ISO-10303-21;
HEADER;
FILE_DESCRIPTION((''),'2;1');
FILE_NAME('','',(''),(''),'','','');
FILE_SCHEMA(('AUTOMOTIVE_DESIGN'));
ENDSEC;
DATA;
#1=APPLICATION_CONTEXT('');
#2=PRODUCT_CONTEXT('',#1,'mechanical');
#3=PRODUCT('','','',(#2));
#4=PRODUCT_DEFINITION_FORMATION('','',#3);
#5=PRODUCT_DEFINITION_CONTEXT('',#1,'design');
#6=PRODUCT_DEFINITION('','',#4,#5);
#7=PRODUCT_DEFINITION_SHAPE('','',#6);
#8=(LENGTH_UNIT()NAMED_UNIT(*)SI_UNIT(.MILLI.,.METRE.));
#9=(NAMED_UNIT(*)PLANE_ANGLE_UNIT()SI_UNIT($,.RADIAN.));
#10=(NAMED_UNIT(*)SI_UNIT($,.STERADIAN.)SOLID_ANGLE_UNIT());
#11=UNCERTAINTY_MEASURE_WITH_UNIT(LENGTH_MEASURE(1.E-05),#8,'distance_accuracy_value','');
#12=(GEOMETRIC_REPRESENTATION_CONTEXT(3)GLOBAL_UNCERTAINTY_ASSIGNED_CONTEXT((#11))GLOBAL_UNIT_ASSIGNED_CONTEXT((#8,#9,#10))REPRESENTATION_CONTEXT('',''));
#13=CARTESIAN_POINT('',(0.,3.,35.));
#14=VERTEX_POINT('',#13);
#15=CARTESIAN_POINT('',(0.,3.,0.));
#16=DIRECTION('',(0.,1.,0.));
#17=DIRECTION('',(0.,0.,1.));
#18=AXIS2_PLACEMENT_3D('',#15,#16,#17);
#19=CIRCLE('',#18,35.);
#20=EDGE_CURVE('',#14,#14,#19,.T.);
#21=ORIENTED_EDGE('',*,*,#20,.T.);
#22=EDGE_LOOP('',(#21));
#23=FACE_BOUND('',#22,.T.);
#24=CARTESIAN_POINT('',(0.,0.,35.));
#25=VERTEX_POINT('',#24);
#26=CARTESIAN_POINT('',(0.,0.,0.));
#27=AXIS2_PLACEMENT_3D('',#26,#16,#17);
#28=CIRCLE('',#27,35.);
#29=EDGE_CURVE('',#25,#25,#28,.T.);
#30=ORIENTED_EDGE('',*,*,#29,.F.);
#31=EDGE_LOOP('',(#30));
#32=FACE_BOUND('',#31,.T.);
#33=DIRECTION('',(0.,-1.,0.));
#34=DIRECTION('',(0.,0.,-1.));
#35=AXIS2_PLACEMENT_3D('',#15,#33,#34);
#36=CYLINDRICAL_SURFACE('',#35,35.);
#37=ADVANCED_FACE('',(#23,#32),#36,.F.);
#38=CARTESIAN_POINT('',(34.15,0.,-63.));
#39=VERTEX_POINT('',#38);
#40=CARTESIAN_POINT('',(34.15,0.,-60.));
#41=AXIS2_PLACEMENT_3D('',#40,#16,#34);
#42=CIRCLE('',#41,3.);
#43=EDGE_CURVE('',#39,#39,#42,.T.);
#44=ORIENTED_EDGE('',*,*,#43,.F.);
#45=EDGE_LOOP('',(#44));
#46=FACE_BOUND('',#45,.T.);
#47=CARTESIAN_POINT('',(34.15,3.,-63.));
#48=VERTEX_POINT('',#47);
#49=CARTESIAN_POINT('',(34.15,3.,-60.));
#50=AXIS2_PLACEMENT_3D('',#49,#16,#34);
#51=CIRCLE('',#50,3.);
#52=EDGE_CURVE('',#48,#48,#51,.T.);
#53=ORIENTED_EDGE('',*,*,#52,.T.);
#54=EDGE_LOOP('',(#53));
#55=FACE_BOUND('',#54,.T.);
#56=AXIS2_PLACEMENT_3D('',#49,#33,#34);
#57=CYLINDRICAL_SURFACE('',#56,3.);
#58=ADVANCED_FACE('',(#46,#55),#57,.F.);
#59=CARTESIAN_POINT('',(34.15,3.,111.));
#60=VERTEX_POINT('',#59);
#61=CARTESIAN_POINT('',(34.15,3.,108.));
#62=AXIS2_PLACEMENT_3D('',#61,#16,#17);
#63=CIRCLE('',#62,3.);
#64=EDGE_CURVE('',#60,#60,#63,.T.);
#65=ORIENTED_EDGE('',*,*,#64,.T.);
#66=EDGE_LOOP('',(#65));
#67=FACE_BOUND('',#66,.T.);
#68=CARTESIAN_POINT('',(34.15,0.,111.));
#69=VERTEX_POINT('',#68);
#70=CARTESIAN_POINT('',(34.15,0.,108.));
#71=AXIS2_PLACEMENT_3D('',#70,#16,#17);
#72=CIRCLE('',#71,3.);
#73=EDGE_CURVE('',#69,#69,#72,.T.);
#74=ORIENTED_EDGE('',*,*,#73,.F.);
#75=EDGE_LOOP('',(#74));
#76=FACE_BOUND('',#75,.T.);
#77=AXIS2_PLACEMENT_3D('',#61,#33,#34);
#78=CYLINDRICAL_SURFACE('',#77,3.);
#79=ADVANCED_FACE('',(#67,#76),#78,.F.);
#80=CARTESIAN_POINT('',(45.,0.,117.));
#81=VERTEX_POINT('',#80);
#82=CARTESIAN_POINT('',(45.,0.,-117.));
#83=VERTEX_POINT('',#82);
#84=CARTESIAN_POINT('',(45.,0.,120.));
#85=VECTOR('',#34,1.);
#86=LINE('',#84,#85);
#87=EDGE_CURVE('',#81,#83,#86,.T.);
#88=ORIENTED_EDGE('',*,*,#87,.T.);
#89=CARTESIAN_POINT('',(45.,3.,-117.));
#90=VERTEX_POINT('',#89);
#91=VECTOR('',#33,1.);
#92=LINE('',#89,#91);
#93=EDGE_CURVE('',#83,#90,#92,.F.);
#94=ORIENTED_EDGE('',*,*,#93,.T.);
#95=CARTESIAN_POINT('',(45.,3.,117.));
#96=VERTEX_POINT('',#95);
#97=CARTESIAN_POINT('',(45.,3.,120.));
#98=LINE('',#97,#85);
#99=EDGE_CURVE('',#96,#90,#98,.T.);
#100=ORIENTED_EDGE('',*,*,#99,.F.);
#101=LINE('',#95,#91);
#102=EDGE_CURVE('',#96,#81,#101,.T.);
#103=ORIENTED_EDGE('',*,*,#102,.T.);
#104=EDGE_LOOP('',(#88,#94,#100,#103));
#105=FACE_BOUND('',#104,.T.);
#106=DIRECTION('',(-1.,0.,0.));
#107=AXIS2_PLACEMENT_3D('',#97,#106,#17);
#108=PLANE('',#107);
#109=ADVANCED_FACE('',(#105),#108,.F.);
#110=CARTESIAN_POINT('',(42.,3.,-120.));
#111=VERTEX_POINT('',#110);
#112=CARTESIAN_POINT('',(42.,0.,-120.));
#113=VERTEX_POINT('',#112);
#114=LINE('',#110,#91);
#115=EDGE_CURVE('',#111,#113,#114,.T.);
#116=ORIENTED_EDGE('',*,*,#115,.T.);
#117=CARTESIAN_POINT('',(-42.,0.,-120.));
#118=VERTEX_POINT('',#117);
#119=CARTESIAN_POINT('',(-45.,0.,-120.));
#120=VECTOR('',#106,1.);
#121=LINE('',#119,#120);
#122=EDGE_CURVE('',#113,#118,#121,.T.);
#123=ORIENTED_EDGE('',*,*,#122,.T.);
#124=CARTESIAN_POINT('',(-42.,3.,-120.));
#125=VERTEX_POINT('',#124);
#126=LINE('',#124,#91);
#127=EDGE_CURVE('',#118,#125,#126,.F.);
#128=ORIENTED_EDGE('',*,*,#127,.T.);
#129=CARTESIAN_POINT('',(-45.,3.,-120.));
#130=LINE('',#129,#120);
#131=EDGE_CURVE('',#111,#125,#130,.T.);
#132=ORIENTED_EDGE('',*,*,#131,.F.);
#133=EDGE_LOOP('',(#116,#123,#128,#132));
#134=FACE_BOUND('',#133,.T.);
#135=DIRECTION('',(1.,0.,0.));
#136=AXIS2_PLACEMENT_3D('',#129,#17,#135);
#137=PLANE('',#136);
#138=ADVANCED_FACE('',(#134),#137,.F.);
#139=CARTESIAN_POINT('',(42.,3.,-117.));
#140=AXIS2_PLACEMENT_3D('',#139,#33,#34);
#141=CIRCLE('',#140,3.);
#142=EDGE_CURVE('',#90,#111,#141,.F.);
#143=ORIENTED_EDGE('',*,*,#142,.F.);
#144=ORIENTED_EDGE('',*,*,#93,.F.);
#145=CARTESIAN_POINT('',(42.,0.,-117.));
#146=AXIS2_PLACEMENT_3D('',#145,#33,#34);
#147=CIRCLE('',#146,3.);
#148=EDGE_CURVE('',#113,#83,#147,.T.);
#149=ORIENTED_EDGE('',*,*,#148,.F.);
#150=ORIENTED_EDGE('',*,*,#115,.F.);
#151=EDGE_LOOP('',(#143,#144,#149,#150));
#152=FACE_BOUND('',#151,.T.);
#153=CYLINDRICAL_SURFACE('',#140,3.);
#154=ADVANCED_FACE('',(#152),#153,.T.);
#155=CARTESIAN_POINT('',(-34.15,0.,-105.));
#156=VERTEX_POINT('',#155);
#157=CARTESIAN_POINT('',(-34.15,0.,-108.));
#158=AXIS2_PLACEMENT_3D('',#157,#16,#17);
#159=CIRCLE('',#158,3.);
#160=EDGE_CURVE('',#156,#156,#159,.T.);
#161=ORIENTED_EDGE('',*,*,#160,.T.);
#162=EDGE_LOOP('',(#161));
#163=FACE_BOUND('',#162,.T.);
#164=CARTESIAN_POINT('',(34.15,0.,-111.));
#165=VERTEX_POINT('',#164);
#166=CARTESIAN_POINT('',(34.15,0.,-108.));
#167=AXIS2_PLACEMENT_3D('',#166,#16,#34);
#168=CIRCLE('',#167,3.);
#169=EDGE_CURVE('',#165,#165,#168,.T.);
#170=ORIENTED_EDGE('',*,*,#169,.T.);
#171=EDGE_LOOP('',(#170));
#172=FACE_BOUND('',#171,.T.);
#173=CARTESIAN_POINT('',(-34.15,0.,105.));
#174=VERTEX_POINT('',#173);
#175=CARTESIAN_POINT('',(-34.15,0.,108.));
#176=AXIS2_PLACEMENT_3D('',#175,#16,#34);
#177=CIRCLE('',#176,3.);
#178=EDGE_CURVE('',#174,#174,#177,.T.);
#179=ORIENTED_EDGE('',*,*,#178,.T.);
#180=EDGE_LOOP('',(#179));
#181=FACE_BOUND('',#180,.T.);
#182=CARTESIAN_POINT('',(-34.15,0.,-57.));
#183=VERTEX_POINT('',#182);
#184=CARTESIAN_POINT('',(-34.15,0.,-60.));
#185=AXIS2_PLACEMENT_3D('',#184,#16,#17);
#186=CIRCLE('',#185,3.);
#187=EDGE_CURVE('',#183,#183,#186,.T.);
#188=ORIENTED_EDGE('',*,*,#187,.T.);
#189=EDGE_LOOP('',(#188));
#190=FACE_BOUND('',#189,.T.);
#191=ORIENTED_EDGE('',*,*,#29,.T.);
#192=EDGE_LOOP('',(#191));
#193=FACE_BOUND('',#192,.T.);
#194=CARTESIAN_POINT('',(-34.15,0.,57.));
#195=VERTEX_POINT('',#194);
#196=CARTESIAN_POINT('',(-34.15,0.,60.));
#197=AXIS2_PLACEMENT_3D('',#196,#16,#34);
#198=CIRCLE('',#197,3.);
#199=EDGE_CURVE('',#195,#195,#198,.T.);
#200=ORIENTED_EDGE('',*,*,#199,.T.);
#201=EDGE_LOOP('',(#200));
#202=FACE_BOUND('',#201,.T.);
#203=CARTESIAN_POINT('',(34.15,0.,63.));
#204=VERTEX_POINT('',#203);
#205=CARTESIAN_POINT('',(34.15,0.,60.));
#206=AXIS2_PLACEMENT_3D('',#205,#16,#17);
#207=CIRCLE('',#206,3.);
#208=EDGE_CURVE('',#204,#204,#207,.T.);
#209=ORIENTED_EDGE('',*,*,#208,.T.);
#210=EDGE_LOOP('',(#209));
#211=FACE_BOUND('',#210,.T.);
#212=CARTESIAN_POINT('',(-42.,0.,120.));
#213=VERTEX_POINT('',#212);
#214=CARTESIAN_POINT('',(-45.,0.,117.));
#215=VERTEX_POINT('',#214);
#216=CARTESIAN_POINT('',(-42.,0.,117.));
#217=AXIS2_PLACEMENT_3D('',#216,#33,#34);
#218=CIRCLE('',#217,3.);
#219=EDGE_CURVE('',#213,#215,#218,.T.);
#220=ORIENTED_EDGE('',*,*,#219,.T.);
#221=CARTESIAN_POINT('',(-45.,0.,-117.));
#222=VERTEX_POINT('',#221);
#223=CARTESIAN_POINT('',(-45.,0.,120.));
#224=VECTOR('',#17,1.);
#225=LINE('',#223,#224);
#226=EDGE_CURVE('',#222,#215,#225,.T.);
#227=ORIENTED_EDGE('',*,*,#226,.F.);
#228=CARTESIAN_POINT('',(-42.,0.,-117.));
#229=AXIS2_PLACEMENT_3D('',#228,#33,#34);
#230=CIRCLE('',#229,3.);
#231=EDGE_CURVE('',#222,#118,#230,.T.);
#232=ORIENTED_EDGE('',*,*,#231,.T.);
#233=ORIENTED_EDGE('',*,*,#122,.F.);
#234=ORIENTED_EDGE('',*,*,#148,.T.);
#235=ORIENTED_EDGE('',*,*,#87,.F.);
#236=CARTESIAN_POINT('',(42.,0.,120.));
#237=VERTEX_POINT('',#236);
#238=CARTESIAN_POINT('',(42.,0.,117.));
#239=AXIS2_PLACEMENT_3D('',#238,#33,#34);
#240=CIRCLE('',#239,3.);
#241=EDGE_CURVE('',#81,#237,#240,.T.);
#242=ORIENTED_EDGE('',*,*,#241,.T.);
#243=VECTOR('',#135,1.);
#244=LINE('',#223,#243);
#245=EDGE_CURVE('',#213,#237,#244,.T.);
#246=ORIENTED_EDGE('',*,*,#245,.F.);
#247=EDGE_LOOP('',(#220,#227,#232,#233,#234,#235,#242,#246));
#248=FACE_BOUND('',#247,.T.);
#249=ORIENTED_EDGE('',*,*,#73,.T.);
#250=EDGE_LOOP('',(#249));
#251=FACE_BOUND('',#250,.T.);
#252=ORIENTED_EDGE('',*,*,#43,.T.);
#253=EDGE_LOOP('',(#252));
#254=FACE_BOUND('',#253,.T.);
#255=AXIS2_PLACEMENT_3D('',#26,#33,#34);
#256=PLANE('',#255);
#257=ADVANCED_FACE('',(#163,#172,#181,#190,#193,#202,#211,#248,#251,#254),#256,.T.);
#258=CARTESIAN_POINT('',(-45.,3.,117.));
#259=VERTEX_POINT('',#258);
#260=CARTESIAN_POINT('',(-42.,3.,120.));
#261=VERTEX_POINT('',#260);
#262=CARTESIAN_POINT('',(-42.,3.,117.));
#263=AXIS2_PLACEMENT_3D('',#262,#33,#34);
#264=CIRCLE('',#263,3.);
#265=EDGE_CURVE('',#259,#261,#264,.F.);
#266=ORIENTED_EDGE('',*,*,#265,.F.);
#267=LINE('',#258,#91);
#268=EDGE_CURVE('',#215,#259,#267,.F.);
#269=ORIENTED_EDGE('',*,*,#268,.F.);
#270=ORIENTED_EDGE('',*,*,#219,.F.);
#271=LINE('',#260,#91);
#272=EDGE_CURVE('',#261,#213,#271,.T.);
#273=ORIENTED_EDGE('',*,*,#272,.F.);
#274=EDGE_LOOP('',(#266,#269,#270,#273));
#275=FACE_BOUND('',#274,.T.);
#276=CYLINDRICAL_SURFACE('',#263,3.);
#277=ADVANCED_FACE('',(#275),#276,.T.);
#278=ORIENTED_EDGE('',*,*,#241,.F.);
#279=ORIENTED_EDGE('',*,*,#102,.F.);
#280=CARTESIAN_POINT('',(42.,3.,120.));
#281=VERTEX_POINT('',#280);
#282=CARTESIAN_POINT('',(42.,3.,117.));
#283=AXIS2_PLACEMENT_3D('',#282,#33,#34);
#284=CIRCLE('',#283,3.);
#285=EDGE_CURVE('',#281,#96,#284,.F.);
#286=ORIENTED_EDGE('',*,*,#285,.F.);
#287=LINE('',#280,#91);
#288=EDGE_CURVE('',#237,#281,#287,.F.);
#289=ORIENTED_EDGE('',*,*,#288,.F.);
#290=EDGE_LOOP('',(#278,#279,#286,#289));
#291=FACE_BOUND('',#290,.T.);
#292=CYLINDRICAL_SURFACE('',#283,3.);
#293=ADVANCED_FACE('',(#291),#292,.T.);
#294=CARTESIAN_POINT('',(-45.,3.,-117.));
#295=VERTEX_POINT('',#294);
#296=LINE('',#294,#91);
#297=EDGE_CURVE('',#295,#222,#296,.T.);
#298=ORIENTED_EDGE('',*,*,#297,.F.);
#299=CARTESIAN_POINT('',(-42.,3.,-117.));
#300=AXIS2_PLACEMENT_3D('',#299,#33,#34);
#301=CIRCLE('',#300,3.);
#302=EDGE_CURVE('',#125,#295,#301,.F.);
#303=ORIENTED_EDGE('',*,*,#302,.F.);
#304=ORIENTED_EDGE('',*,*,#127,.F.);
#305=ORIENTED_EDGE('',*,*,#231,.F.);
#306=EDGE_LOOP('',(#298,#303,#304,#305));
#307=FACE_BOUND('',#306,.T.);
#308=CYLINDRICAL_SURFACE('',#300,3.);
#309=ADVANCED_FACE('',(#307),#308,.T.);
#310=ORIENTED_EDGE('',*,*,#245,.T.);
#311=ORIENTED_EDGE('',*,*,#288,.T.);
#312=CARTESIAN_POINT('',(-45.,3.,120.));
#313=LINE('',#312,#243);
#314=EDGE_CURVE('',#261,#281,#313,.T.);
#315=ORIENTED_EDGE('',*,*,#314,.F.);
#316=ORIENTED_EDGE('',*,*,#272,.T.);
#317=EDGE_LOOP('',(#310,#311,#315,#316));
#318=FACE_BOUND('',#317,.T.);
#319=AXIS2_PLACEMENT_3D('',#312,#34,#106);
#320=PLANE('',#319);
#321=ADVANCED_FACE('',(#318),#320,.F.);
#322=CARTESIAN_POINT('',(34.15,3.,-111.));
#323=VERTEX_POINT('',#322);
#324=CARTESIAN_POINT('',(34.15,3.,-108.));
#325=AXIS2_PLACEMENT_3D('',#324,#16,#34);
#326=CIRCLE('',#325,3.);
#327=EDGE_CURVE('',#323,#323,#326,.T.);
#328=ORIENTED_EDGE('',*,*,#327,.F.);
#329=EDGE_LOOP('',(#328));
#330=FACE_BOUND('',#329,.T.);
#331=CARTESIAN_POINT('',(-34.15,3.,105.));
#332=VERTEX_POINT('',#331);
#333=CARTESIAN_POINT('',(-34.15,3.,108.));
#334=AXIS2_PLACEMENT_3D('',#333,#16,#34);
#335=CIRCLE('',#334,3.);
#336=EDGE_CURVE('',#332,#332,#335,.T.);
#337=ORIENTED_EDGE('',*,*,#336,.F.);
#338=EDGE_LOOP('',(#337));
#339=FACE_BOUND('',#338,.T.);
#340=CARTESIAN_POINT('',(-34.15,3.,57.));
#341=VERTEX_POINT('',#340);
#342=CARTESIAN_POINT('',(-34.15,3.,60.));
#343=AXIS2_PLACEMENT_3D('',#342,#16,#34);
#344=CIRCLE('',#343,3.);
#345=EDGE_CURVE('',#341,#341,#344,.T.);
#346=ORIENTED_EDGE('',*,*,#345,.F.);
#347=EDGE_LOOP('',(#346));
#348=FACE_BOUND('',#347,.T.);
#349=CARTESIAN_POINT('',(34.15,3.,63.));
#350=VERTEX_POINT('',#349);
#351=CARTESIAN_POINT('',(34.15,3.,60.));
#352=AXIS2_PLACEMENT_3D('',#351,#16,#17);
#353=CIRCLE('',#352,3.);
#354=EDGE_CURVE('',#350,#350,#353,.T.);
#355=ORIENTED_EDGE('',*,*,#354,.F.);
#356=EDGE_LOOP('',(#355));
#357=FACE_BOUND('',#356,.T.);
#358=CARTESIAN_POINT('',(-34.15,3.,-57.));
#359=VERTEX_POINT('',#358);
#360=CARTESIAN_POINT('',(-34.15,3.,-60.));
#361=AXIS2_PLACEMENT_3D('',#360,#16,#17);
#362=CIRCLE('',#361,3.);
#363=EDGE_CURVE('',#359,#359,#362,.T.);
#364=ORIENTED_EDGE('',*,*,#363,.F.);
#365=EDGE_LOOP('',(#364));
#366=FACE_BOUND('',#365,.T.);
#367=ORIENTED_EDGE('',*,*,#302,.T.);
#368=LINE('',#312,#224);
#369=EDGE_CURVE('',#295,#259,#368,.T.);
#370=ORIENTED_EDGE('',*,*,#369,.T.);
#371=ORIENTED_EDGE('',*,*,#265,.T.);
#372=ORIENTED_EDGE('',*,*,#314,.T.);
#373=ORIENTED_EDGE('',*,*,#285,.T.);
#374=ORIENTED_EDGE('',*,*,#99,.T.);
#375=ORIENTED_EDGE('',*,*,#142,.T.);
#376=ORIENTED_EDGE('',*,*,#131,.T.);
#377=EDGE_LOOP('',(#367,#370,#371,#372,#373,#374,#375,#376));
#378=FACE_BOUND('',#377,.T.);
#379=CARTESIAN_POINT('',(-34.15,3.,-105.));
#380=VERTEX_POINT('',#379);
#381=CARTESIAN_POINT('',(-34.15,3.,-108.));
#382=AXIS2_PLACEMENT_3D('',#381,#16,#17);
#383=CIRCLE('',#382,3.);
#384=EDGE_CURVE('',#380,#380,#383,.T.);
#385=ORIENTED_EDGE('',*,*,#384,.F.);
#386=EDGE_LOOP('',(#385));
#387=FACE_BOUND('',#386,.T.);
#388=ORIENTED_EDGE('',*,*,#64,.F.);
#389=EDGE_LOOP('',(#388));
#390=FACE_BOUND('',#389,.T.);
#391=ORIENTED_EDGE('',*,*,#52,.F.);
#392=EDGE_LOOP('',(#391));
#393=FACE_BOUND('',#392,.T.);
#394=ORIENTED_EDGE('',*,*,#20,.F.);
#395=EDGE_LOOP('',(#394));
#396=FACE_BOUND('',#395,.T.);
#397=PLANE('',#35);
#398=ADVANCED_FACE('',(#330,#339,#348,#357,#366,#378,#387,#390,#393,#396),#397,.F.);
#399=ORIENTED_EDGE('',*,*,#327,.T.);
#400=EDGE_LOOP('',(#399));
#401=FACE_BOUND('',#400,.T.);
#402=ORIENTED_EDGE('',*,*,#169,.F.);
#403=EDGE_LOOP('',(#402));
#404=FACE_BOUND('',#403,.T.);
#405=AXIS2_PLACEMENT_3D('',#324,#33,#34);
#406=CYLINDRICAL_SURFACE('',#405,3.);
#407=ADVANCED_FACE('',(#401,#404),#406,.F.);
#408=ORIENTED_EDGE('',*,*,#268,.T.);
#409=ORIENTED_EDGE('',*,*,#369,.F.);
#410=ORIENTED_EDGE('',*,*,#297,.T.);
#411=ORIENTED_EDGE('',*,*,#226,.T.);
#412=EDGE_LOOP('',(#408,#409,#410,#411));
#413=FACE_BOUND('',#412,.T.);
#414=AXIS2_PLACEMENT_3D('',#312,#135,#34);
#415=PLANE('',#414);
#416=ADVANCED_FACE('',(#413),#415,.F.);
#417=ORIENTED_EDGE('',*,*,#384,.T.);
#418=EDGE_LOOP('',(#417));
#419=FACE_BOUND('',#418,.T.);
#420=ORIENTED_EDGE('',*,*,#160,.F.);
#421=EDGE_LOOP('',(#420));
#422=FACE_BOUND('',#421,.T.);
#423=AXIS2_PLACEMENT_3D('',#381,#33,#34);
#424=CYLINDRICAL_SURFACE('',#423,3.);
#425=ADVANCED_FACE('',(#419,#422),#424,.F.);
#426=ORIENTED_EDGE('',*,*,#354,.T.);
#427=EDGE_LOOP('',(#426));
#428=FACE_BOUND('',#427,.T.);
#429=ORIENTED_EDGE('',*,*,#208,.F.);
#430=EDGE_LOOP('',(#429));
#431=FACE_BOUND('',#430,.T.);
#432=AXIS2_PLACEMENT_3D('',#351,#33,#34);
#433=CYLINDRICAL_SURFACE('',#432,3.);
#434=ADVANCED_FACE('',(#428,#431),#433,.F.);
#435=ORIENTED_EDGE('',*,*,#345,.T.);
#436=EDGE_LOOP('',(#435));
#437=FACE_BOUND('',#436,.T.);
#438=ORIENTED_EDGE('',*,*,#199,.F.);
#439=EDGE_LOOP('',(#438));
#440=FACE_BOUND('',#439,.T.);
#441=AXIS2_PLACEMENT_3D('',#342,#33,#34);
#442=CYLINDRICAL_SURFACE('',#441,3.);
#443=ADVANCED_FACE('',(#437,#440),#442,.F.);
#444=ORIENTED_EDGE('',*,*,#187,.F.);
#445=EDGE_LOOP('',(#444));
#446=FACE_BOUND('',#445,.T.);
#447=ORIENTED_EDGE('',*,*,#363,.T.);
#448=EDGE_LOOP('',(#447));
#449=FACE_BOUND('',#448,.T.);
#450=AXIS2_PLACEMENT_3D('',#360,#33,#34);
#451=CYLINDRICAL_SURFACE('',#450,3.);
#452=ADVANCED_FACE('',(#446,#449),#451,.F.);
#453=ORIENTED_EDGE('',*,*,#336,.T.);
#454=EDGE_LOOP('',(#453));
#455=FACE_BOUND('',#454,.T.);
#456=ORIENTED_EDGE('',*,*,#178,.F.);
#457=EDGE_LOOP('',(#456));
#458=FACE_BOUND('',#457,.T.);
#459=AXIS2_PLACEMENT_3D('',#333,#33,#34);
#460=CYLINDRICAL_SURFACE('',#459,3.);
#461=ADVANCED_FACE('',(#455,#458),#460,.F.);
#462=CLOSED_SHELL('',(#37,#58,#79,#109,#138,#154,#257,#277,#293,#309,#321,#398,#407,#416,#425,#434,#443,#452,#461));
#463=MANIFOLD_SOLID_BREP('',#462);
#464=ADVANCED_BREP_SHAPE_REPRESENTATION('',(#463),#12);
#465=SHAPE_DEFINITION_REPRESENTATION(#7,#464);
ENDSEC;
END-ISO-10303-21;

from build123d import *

# Parameters (mm, degrees)
SKETCH1_W           = 90
SKETCH1_H           = 240
SKETCH1_R           = 35
SKETCH1_R_2         = 3
BOSS_EXTRUDE1_DEPTH = 3
FILLET1_R           = 3


with BuildPart() as part:
    # Sketch1 → Boss-Extrude1 (new body)
    with BuildSketch(Plane(origin=(0, 0, 0), x_dir=(1, 0, 0), z_dir=(0, 1, 0))):
        Rectangle(SKETCH1_W, SKETCH1_H)
        Circle(SKETCH1_R, mode=Mode.SUBTRACT)
        with Locations((-34.15, 60)):
            Circle(SKETCH1_R_2, mode=Mode.SUBTRACT)
        with Locations((34.15, 60)):
            Circle(SKETCH1_R_2, mode=Mode.SUBTRACT)
        with Locations((34.15, -60)):
            Circle(SKETCH1_R_2, mode=Mode.SUBTRACT)
        with Locations((-34.15, -60)):
            Circle(SKETCH1_R_2, mode=Mode.SUBTRACT)
        with Locations((-34.15, 108)):
            Circle(SKETCH1_R_2, mode=Mode.SUBTRACT)
        with Locations((34.15, 108)):
            Circle(SKETCH1_R_2, mode=Mode.SUBTRACT)
        with Locations((-34.15, -108)):
            Circle(SKETCH1_R_2, mode=Mode.SUBTRACT)
        with Locations((34.15, -108)):
            Circle(SKETCH1_R_2, mode=Mode.SUBTRACT)
    extrude(amount=BOSS_EXTRUDE1_DEPTH)

    # Fillet1
    fillet1_edges = [part.edges().sort_by_distance(p)[0] for p in [
        (45, 1.5, 120),
        (-45, 1.5, 120),
        (-45, 1.5, -120),
        (45, 1.5, -120),
    ]]
    fillet(fillet1_edges, radius=FILLET1_R)


solid = part.part
